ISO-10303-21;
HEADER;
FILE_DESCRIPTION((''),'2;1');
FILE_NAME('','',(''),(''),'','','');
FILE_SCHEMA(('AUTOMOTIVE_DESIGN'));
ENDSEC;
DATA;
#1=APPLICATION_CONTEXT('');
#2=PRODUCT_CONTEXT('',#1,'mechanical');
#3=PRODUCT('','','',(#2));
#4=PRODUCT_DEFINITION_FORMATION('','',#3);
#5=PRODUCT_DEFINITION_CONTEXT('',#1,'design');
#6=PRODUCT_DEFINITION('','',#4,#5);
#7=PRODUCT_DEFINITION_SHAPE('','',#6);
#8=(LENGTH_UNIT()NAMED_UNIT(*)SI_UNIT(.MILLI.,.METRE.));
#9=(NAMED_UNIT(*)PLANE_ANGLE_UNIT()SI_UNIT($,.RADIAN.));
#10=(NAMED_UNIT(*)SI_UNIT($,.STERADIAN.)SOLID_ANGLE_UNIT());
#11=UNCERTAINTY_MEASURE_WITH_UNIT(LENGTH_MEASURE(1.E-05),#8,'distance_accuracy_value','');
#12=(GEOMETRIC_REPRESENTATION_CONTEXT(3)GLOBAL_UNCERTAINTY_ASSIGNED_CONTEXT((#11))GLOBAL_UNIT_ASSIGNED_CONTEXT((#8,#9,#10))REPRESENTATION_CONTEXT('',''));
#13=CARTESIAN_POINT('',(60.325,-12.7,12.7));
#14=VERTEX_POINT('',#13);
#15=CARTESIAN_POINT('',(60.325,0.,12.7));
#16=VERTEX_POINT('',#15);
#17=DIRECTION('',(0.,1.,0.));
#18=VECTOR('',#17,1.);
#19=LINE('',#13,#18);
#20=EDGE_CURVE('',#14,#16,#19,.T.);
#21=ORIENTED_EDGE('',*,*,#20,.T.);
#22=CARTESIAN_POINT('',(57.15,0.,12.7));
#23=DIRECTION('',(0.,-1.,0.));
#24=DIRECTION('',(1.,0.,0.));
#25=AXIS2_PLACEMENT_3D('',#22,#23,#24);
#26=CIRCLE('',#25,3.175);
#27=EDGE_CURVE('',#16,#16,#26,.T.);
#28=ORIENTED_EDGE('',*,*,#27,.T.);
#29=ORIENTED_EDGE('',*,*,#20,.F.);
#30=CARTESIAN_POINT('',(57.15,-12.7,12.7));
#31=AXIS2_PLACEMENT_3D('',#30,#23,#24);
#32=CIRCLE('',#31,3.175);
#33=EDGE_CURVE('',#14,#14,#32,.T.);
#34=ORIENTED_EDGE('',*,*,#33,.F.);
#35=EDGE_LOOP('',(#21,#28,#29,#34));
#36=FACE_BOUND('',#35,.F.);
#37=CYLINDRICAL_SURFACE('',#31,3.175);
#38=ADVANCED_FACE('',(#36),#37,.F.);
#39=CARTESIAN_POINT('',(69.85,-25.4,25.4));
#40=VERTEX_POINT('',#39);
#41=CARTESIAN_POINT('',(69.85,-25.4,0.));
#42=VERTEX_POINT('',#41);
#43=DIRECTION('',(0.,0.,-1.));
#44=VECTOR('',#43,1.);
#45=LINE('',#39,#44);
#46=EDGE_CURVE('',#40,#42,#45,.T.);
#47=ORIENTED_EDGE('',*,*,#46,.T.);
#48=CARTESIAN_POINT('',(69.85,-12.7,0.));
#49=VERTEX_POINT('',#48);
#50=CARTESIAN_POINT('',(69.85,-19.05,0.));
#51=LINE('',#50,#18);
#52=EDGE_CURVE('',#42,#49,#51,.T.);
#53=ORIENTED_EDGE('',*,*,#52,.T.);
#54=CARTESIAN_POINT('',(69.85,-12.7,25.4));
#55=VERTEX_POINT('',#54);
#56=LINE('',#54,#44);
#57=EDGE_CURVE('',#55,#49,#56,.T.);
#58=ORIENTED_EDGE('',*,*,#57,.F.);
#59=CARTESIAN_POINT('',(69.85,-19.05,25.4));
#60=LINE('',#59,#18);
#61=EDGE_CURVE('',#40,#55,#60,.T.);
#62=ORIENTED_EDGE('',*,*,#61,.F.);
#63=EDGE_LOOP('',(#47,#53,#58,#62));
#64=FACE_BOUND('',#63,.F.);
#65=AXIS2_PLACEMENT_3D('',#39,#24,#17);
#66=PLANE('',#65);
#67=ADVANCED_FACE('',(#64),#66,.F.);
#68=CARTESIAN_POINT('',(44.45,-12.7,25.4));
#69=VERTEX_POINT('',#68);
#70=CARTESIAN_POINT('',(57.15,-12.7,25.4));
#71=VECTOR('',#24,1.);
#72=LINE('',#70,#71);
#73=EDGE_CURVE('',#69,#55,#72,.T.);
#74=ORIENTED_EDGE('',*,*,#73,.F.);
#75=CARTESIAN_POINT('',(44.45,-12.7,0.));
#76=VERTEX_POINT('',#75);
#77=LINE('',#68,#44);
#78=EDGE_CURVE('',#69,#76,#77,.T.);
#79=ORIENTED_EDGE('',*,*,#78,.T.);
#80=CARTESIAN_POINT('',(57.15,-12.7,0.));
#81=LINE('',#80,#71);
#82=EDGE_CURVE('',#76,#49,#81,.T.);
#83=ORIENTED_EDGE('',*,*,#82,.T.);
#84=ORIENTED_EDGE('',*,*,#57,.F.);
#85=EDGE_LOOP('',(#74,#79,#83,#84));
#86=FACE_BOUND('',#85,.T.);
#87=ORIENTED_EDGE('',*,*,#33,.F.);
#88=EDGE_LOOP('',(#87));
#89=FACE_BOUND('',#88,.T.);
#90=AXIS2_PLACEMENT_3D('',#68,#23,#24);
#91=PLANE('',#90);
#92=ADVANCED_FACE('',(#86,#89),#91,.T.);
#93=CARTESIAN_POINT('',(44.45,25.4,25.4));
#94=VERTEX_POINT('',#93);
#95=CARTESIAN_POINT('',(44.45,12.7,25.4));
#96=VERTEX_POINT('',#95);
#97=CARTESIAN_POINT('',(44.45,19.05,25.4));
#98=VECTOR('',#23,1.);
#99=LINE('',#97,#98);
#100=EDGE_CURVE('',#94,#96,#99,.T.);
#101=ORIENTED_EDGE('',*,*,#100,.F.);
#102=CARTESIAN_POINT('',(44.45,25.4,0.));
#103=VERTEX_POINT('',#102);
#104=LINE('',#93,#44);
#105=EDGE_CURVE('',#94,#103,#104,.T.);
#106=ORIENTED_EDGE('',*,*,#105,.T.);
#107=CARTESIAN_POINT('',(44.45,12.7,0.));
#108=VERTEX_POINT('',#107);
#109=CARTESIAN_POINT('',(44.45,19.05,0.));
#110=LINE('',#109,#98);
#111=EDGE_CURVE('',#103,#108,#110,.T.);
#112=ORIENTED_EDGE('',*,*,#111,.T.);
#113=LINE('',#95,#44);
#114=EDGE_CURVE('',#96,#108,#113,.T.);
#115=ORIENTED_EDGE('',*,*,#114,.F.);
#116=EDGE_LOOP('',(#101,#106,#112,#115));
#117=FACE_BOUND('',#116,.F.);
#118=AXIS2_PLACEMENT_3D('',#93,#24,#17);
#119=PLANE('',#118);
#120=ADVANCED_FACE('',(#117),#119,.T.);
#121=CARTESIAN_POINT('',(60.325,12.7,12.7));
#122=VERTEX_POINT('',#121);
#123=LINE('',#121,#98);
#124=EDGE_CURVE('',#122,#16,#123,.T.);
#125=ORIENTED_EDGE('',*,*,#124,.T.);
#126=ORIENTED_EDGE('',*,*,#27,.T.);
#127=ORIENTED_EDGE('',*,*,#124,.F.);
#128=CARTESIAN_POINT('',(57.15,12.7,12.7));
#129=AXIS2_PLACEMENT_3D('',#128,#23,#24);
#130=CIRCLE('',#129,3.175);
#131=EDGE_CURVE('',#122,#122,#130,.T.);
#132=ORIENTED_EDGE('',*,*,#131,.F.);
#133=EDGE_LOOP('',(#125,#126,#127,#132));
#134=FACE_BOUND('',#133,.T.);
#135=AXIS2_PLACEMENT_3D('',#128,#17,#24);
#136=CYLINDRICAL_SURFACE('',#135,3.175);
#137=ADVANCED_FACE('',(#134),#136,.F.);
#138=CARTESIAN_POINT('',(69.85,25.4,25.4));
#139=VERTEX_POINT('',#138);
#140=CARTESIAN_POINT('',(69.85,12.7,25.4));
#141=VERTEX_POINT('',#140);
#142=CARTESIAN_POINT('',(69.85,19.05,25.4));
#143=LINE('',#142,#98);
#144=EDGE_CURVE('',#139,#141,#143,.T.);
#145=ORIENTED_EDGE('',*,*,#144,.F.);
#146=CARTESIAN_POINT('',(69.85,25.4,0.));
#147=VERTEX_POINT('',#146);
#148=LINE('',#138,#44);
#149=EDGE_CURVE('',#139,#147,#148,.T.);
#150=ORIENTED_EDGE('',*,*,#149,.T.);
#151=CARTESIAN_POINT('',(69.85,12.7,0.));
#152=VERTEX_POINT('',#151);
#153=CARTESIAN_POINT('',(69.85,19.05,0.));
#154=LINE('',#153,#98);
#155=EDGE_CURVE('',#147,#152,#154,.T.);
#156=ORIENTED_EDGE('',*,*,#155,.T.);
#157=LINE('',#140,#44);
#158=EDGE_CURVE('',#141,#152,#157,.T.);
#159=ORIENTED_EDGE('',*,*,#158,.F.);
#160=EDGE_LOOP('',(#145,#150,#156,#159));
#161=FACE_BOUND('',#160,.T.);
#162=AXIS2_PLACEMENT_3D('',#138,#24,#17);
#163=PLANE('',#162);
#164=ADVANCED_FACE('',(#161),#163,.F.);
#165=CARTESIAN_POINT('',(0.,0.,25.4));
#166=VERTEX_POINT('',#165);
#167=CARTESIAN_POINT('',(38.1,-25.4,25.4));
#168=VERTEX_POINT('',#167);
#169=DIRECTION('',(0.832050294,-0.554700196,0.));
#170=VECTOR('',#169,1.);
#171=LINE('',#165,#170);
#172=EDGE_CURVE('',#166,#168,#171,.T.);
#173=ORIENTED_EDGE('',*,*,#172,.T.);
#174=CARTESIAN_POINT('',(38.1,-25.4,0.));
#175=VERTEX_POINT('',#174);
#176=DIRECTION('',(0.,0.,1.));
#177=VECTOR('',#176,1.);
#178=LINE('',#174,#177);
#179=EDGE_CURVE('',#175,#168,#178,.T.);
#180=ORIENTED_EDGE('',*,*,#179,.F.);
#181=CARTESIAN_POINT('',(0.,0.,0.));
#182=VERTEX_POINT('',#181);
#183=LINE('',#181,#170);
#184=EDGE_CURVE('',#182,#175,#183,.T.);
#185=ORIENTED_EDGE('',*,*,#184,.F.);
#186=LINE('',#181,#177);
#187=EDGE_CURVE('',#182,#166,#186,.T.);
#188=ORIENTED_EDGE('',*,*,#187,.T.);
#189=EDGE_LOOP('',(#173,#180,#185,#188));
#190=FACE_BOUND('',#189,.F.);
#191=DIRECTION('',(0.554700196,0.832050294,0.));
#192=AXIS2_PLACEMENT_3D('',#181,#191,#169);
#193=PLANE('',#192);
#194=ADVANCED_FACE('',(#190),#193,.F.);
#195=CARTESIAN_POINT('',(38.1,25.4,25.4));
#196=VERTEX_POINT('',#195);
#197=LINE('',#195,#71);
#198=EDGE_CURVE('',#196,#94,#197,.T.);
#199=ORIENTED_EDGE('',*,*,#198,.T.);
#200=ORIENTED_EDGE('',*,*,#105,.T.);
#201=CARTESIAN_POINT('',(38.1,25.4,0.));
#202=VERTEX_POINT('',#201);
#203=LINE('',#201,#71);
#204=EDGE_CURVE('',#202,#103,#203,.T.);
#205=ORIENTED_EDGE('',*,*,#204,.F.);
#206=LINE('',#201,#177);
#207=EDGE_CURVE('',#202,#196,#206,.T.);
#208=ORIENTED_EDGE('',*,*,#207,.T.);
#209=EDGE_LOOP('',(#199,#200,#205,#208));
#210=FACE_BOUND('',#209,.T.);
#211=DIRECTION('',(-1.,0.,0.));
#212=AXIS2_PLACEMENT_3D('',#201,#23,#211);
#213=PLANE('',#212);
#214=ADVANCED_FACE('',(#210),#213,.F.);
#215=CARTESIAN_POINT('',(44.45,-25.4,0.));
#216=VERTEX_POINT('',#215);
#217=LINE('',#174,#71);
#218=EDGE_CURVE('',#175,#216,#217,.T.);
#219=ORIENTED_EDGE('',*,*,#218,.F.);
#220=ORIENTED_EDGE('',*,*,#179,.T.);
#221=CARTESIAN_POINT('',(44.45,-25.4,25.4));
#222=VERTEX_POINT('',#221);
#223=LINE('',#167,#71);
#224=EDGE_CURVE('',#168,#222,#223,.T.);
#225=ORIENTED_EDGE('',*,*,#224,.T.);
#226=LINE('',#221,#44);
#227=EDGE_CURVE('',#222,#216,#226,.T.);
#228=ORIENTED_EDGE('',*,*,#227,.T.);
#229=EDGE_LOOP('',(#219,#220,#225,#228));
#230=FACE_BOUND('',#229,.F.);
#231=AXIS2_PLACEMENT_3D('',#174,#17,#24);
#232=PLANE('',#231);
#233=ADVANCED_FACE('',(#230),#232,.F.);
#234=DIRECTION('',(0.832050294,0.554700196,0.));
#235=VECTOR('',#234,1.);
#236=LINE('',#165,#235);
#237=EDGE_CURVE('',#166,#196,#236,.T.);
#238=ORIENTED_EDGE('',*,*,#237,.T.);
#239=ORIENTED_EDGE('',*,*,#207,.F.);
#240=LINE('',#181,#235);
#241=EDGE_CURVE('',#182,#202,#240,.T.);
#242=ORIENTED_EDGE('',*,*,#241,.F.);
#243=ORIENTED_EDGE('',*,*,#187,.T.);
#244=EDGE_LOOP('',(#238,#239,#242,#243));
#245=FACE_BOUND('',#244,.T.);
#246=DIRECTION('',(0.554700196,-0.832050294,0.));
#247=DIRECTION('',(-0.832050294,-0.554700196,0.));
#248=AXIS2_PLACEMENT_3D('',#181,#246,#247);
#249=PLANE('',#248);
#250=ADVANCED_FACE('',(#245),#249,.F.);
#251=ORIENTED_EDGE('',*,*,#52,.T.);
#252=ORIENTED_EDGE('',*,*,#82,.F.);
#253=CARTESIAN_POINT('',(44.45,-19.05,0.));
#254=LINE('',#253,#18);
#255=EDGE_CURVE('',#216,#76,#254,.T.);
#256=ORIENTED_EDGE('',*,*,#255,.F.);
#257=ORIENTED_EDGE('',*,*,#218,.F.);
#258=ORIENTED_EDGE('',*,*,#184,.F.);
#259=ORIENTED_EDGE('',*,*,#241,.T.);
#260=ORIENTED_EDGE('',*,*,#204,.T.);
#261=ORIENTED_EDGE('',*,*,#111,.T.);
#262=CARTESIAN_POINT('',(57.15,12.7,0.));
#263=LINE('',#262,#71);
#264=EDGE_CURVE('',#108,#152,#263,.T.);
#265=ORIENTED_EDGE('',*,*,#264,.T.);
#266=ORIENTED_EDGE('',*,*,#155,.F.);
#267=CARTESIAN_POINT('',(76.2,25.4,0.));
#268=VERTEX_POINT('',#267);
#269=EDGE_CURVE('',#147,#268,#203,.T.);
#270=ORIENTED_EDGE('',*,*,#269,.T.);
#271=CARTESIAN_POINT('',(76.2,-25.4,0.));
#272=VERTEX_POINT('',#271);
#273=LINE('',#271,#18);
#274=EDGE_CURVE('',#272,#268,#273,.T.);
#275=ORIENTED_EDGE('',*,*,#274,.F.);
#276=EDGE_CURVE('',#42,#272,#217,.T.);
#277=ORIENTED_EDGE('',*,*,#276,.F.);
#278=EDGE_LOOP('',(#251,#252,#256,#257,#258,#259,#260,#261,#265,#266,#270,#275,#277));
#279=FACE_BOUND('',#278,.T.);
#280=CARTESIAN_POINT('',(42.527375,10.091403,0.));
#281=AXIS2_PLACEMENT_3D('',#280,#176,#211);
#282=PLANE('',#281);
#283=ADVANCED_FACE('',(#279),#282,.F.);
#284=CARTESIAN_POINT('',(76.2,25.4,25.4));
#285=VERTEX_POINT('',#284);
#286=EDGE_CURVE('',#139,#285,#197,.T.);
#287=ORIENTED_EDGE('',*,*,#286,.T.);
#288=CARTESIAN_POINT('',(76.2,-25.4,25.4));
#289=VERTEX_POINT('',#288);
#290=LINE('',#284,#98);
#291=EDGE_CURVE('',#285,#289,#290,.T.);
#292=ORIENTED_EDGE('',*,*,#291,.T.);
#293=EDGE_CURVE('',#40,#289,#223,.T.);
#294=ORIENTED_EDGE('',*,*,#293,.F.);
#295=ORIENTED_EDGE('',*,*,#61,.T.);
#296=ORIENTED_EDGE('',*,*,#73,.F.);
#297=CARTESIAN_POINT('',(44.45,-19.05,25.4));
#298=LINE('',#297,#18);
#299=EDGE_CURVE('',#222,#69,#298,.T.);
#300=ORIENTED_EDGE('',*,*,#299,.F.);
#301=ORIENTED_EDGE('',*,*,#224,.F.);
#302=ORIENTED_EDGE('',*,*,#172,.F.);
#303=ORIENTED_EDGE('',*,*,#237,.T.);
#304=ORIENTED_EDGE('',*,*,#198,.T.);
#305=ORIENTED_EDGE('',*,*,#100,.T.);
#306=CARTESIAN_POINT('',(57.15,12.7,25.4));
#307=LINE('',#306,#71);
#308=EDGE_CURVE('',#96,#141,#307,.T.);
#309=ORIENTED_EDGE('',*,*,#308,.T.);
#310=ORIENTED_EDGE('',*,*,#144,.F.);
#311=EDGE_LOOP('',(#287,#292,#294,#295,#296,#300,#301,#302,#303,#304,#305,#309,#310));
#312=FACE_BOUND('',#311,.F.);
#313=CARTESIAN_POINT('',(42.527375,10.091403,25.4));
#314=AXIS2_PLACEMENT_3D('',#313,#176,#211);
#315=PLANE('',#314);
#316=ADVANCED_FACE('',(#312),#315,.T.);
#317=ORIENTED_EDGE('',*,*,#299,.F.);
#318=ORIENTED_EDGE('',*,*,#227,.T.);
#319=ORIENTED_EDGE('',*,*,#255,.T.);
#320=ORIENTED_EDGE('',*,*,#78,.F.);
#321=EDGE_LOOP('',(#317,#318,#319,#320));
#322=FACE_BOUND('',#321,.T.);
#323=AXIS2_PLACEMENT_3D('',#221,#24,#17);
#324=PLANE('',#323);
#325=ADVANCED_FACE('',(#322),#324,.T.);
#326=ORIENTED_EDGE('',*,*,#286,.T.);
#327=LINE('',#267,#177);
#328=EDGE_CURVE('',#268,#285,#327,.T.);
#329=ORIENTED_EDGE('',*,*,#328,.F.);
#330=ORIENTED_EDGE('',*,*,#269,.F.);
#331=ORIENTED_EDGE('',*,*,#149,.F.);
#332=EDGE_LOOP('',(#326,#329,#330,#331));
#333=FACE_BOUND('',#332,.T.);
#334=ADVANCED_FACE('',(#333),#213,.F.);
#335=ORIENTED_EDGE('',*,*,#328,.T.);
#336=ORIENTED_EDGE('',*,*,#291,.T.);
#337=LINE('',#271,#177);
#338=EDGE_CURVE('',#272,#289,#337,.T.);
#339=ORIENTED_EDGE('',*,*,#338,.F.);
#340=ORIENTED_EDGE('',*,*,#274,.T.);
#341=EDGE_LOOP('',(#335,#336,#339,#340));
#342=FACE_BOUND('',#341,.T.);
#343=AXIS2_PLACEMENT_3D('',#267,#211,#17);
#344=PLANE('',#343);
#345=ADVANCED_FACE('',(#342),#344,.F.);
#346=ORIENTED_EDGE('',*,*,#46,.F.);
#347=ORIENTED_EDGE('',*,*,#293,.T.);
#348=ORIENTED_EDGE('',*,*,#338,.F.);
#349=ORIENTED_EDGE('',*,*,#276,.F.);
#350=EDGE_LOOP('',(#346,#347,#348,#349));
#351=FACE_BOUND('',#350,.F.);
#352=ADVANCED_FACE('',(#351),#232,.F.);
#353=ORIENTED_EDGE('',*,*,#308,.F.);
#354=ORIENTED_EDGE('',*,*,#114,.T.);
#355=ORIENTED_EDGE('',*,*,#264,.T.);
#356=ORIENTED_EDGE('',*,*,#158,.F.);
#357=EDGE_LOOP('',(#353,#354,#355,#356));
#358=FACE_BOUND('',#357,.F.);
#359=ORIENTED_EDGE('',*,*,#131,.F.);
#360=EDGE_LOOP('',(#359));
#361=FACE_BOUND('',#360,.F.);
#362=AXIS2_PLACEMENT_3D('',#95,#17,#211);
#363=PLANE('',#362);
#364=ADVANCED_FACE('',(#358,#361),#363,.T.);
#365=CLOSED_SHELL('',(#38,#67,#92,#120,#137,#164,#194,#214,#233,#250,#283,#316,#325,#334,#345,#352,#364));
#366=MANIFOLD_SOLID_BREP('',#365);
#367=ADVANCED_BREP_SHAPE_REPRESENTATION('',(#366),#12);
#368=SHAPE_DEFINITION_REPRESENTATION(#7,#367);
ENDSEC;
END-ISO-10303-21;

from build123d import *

# Parameters (mm, degrees)
F1_DEPTH = 25.4
F2_W     = 25.4
F2_H     = 12.7
F3_DEPTH = 25.4
F4_R     = 3.175
F5_DEPTH = 12.7


with BuildPart() as f1:
    # F0 (on Top) → F1 (new body)
    with BuildSketch(Plane.XY):
        Polygon((76.2, 0), (0, 0), (38.1, -25.4), (76.2, -25.4), align=None)
    extrude(amount=F1_DEPTH)

    # F2 (on face) → F3 (cut)
    with BuildSketch(Plane.XY.offset(25.4)):
        with Locations((57.15, -19.05)):
            Rectangle(F2_W, F2_H)
    extrude(amount=-F3_DEPTH, mode=Mode.SUBTRACT)

    # F4 (on face) → F5 (cut)
    with BuildSketch(Plane.XZ.offset(12.7)):
        with Locations((57.15, 12.7)):
            Circle(F4_R)
    extrude(amount=-F5_DEPTH, mode=Mode.SUBTRACT)

    # F6: F1 across plane


with BuildPart() as f1_1:
    add(f1.part)
    add(f1.part.mirror(Plane.XZ))


solid = f1_1.part
